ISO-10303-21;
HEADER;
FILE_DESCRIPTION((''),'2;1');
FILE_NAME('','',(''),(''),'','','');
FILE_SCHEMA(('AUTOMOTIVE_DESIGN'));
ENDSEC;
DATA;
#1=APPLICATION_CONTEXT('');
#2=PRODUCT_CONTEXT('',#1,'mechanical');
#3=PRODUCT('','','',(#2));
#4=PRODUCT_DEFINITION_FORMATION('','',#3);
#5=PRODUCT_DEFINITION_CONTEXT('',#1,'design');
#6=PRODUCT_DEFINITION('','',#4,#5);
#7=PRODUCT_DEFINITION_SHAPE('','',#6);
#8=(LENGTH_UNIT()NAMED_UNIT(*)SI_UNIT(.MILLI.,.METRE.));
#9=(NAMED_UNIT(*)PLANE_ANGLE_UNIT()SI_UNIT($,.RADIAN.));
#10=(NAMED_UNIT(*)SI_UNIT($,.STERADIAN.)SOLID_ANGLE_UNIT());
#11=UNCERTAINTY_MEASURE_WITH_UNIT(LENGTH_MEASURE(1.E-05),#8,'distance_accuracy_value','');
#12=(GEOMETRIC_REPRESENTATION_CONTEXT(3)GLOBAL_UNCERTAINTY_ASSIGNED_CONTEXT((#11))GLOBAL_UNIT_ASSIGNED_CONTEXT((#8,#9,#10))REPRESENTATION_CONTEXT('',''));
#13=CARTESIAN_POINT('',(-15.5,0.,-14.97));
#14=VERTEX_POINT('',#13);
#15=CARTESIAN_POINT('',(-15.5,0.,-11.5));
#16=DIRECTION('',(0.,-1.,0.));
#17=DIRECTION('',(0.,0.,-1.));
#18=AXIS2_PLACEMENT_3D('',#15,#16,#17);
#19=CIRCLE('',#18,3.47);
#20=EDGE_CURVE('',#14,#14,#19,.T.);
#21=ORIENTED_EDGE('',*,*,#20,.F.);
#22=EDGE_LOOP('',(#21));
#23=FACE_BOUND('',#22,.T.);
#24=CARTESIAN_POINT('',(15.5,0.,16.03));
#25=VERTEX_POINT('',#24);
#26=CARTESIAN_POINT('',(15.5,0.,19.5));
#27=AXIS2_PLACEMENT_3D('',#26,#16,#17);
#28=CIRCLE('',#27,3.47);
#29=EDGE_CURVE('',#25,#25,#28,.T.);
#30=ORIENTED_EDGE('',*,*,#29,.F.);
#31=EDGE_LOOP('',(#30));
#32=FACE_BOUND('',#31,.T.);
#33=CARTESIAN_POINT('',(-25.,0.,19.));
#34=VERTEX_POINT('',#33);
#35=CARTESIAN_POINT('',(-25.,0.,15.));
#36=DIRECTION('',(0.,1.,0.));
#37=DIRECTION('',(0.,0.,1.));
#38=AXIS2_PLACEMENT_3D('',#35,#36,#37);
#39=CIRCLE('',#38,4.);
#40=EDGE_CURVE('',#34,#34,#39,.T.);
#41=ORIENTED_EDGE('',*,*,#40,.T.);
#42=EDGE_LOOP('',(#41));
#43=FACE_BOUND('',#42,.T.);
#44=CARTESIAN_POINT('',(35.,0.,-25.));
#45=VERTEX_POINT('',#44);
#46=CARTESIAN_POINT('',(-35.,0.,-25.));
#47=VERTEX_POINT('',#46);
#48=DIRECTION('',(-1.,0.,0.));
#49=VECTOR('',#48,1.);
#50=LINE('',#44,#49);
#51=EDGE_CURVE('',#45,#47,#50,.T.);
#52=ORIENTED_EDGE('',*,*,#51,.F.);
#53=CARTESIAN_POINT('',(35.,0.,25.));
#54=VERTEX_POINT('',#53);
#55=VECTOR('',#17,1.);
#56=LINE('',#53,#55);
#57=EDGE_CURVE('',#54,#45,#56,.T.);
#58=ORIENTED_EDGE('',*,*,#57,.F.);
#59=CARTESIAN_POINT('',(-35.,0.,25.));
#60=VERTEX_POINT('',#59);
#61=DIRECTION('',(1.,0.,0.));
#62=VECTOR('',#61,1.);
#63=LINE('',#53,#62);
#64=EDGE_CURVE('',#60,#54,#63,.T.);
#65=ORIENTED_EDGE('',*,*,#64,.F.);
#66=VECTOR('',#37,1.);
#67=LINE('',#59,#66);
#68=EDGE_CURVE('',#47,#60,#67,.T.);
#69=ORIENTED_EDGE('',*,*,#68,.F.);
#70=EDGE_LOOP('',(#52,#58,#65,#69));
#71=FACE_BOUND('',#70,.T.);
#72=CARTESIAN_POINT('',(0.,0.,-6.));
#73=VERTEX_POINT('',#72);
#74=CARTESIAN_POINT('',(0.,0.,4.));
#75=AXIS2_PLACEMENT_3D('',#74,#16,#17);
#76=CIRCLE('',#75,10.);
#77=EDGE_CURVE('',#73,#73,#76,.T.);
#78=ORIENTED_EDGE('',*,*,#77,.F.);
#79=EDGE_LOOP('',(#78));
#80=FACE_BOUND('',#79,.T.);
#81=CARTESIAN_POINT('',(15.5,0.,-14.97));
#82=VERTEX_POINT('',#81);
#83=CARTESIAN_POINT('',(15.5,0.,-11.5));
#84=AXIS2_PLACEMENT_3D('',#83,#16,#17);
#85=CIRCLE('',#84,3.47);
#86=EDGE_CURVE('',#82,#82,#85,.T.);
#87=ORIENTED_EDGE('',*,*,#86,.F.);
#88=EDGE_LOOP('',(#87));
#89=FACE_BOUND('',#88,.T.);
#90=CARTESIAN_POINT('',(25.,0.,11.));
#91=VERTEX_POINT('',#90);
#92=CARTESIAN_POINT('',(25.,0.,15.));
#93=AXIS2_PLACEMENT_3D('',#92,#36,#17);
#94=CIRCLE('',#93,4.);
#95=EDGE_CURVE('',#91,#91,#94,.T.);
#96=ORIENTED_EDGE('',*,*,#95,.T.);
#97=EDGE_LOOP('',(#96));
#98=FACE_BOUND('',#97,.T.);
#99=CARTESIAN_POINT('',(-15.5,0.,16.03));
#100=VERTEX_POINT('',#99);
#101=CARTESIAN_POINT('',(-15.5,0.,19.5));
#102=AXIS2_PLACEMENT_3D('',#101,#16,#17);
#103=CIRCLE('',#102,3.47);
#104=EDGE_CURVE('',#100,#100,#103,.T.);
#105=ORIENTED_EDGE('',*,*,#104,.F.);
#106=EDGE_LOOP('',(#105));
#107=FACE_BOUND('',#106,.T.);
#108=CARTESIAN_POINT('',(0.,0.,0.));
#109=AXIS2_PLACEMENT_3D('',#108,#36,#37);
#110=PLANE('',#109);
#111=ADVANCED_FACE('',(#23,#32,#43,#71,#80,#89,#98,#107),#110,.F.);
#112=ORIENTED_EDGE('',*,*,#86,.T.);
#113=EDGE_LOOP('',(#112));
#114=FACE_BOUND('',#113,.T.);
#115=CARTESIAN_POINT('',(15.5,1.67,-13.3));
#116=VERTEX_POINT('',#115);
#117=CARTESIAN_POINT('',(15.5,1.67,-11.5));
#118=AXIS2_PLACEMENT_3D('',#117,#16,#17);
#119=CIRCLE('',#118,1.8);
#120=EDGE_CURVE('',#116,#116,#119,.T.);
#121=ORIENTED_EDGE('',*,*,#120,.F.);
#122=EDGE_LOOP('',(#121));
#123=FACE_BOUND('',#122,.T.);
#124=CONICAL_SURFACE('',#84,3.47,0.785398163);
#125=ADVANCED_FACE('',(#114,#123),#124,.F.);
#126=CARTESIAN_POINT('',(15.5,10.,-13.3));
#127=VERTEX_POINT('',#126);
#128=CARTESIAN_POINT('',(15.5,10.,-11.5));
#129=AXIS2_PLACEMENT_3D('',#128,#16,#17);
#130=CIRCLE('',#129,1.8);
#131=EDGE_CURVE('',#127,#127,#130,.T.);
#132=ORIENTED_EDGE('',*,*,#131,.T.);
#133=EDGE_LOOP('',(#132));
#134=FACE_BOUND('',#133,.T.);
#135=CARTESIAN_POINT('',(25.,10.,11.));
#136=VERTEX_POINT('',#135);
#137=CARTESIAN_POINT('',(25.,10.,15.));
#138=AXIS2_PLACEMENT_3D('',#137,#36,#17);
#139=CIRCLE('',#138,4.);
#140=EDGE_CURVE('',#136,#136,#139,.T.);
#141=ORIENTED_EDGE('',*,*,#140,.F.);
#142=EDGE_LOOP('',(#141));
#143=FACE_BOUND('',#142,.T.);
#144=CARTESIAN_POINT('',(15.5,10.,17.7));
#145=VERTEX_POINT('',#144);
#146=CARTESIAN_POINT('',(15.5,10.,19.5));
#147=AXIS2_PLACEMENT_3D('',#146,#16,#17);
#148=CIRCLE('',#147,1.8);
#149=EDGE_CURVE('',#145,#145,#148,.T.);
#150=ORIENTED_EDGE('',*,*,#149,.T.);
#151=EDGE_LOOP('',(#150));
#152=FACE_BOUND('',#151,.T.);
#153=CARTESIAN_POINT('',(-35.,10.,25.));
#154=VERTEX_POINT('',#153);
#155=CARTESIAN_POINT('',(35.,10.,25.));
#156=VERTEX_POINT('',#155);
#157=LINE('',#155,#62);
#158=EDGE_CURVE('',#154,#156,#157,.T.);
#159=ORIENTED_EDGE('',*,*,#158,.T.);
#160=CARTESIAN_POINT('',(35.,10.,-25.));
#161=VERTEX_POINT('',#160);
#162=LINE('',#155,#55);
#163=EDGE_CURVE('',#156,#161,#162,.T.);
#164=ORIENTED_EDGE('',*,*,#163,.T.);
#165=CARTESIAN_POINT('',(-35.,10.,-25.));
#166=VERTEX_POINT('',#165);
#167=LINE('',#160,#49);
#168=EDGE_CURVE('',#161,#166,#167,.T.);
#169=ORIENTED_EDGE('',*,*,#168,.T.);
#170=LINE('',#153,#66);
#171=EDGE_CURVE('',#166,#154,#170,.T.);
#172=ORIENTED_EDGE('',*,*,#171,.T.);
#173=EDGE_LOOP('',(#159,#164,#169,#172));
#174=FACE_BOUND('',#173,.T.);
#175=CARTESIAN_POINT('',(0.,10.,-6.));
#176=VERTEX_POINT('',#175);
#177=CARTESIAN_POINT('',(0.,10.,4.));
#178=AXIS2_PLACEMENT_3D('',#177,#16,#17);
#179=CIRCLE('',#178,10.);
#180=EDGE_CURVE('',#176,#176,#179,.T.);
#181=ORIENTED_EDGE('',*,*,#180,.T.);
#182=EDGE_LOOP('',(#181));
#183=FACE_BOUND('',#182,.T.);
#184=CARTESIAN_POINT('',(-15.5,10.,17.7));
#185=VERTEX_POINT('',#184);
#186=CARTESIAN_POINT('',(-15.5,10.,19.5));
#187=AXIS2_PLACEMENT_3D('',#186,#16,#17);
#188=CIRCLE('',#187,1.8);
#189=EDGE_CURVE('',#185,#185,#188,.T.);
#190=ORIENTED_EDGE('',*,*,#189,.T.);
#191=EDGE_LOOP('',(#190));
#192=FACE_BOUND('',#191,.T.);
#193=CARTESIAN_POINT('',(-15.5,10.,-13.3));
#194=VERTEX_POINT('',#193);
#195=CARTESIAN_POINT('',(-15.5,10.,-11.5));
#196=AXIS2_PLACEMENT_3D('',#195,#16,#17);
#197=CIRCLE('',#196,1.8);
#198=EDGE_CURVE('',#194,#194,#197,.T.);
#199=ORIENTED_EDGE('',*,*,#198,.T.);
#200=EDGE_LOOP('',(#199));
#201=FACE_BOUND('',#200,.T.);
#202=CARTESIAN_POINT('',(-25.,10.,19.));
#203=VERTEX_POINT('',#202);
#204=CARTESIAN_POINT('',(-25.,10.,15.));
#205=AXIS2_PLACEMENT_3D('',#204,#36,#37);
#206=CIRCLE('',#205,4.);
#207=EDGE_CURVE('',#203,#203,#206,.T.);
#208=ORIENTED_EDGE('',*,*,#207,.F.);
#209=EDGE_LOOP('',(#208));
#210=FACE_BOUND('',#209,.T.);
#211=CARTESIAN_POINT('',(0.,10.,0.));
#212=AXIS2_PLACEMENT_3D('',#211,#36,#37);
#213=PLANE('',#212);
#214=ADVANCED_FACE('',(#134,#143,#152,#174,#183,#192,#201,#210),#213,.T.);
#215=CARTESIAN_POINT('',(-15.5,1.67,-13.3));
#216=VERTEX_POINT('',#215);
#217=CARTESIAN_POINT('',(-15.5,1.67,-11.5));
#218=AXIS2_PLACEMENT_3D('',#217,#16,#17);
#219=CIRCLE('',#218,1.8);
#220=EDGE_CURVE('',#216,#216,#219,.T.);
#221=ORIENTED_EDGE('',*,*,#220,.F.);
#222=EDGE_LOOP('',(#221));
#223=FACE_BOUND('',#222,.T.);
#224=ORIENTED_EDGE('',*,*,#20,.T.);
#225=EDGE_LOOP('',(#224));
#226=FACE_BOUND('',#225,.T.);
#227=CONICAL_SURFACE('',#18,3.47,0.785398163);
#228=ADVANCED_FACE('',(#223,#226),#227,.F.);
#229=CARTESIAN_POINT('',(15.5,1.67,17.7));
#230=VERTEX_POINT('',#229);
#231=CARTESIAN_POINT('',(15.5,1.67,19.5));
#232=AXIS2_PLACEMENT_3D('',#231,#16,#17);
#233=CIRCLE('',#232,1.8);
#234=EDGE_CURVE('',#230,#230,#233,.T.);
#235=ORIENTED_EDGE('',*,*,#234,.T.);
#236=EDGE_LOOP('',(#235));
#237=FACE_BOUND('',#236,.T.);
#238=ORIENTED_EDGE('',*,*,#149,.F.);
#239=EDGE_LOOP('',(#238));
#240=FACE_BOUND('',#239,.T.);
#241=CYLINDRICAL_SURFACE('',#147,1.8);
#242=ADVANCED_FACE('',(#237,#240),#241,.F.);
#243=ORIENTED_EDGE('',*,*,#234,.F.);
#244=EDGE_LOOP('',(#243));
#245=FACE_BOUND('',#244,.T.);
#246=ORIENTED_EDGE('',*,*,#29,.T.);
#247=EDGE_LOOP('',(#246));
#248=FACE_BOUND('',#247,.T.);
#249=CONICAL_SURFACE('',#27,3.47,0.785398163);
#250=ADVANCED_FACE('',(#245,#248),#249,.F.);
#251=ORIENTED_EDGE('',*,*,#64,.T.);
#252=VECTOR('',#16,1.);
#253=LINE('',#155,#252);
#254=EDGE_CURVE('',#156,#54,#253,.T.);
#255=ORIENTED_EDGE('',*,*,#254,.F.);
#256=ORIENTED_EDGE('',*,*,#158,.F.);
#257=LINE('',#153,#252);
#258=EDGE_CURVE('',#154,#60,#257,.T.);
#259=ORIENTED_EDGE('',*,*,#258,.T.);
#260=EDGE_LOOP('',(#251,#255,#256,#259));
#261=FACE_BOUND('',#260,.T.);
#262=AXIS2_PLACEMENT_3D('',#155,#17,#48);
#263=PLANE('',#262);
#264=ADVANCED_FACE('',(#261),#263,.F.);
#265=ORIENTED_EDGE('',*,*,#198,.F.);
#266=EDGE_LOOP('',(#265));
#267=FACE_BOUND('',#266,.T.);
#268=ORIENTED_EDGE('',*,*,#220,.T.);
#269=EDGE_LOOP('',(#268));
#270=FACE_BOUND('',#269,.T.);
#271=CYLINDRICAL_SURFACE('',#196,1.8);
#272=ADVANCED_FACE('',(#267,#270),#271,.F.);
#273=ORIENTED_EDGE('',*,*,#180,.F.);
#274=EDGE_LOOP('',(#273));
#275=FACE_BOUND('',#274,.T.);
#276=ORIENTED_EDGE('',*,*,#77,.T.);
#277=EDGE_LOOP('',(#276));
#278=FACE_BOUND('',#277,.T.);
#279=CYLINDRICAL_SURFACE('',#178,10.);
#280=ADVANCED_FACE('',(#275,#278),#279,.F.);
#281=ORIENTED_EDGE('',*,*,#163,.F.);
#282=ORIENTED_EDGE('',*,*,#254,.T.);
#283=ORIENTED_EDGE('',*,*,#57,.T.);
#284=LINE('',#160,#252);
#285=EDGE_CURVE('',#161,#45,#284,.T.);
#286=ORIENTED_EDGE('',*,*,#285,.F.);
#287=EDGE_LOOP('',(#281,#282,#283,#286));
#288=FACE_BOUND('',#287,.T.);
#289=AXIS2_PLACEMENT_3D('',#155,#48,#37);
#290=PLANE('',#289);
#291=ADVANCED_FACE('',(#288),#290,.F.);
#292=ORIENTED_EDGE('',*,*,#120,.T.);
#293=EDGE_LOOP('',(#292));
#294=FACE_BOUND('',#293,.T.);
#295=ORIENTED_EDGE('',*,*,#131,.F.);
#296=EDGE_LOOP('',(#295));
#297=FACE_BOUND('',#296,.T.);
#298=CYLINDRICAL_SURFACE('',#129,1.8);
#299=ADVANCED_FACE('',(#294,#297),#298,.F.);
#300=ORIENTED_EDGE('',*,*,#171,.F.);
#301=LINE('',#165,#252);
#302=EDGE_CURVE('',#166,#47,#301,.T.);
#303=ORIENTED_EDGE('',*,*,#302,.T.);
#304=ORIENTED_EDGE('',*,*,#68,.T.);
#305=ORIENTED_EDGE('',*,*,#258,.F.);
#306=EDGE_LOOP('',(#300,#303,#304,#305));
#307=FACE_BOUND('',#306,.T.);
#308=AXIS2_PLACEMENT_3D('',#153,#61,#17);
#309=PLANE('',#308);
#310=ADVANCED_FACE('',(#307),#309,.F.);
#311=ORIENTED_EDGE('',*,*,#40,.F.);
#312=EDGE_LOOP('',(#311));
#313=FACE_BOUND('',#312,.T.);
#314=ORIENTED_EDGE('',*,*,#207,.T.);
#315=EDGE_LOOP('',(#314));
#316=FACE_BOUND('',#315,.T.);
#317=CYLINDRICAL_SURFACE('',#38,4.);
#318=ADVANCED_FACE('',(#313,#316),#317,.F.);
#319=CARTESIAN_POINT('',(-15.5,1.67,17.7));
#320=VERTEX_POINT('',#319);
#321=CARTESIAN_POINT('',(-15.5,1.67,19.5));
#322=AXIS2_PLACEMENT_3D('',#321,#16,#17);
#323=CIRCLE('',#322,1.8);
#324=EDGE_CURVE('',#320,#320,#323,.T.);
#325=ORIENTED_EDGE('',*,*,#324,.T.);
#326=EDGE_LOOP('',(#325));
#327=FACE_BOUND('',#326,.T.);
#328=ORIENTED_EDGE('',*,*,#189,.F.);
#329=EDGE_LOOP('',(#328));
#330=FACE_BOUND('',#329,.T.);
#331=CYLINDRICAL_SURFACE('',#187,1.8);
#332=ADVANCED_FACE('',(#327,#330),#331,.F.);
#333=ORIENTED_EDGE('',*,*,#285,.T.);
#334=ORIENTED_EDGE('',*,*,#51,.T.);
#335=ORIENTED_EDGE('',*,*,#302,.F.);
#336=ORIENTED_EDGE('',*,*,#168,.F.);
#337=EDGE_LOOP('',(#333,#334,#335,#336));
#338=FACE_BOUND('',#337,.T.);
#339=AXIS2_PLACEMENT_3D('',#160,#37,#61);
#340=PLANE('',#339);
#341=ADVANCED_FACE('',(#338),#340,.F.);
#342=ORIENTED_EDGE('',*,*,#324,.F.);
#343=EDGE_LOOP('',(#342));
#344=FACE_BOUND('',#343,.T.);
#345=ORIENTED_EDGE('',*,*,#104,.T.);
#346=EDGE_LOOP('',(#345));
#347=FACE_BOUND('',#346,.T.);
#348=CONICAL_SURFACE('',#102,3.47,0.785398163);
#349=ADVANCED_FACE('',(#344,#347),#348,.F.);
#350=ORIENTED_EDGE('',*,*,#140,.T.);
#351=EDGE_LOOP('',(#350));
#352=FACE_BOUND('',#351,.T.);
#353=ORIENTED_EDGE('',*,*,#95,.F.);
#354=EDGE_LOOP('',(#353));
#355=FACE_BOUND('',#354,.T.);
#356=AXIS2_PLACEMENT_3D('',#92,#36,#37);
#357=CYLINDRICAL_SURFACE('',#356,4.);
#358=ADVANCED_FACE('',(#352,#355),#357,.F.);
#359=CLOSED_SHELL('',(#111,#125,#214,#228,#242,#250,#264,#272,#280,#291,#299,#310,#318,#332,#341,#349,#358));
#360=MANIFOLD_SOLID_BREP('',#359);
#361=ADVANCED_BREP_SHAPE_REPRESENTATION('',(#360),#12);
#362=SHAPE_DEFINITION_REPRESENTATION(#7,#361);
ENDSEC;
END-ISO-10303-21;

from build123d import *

# Parameters (mm, degrees)
SKETCH2_W                                            = 70
SKETCH2_H                                            = 50
BOSS_EXTRUDE1_DEPTH                                  = 10
SKETCH3_R                                            = 4
CUT_EXTRUDE1_DEPTH                                   = 11
SKETCH4_R                                            = 1.8
CUT_EXTRUDE2_DEPTH                                   = 11
SKETCH5_R                                            = 10
CUT_EXTRUDE3_DEPTH                                   = 11
CSK_FOR_M3_SOCKET_COUNTERSUNK_HEAD_SCREW_D           = 3.4
CSK_FOR_M3_SOCKET_COUNTERSUNK_HEAD_SCREW_CSINK_D     = 6.94
CSK_FOR_M3_SOCKET_COUNTERSUNK_HEAD_SCREW_CSINK_ANGLE = 90


with BuildPart() as part:
    # Sketch2 → Boss-Extrude1 (new body)
    with BuildSketch(Plane(origin=(0, 0, 0), x_dir=(1, 0, 0), z_dir=(0, 1, 0))):
        Rectangle(SKETCH2_W, SKETCH2_H)
    extrude(amount=BOSS_EXTRUDE1_DEPTH)

    # Sketch3 → Cut-Extrude1 (cut, through all)
    with BuildSketch(Plane(origin=(0, 10, 0), x_dir=(1, 0, 0), z_dir=(0, 1, 0))):
        with Locations((-25, -15)):
            Circle(SKETCH3_R)
        with Locations((25, -15)):
            Circle(SKETCH3_R)
    extrude(amount=-CUT_EXTRUDE1_DEPTH, mode=Mode.SUBTRACT)

    # Sketch4 → Cut-Extrude2 (cut, through all)
    with BuildSketch(Plane.XZ):
        with Locations((-15.5, 19.5)):
            Circle(SKETCH4_R)
        with Locations((-15.5, -11.5)):
            Circle(SKETCH4_R)
        with Locations((15.5, -11.5)):
            Circle(SKETCH4_R)
        with Locations((15.5, 19.5)):
            Circle(SKETCH4_R)
    extrude(amount=-CUT_EXTRUDE2_DEPTH, mode=Mode.SUBTRACT)

    # Sketch5 → Cut-Extrude3 (cut, through all)
    with BuildSketch(Plane.XZ):
        with Locations((0, 4)):
            Circle(SKETCH5_R)
    extrude(amount=-CUT_EXTRUDE3_DEPTH, mode=Mode.SUBTRACT)

    # CSK for M3 socket countersunk head screw (through all)
    with Locations(Plane.XZ):
        with Locations((-15.5, 19.5), (15.5, 19.5), (15.5, -11.5), (-15.5, -11.5)):
            CounterSinkHole(CSK_FOR_M3_SOCKET_COUNTERSUNK_HEAD_SCREW_D / 2, CSK_FOR_M3_SOCKET_COUNTERSUNK_HEAD_SCREW_CSINK_D / 2, counter_sink_angle=CSK_FOR_M3_SOCKET_COUNTERSUNK_HEAD_SCREW_CSINK_ANGLE)


solid = part.part
